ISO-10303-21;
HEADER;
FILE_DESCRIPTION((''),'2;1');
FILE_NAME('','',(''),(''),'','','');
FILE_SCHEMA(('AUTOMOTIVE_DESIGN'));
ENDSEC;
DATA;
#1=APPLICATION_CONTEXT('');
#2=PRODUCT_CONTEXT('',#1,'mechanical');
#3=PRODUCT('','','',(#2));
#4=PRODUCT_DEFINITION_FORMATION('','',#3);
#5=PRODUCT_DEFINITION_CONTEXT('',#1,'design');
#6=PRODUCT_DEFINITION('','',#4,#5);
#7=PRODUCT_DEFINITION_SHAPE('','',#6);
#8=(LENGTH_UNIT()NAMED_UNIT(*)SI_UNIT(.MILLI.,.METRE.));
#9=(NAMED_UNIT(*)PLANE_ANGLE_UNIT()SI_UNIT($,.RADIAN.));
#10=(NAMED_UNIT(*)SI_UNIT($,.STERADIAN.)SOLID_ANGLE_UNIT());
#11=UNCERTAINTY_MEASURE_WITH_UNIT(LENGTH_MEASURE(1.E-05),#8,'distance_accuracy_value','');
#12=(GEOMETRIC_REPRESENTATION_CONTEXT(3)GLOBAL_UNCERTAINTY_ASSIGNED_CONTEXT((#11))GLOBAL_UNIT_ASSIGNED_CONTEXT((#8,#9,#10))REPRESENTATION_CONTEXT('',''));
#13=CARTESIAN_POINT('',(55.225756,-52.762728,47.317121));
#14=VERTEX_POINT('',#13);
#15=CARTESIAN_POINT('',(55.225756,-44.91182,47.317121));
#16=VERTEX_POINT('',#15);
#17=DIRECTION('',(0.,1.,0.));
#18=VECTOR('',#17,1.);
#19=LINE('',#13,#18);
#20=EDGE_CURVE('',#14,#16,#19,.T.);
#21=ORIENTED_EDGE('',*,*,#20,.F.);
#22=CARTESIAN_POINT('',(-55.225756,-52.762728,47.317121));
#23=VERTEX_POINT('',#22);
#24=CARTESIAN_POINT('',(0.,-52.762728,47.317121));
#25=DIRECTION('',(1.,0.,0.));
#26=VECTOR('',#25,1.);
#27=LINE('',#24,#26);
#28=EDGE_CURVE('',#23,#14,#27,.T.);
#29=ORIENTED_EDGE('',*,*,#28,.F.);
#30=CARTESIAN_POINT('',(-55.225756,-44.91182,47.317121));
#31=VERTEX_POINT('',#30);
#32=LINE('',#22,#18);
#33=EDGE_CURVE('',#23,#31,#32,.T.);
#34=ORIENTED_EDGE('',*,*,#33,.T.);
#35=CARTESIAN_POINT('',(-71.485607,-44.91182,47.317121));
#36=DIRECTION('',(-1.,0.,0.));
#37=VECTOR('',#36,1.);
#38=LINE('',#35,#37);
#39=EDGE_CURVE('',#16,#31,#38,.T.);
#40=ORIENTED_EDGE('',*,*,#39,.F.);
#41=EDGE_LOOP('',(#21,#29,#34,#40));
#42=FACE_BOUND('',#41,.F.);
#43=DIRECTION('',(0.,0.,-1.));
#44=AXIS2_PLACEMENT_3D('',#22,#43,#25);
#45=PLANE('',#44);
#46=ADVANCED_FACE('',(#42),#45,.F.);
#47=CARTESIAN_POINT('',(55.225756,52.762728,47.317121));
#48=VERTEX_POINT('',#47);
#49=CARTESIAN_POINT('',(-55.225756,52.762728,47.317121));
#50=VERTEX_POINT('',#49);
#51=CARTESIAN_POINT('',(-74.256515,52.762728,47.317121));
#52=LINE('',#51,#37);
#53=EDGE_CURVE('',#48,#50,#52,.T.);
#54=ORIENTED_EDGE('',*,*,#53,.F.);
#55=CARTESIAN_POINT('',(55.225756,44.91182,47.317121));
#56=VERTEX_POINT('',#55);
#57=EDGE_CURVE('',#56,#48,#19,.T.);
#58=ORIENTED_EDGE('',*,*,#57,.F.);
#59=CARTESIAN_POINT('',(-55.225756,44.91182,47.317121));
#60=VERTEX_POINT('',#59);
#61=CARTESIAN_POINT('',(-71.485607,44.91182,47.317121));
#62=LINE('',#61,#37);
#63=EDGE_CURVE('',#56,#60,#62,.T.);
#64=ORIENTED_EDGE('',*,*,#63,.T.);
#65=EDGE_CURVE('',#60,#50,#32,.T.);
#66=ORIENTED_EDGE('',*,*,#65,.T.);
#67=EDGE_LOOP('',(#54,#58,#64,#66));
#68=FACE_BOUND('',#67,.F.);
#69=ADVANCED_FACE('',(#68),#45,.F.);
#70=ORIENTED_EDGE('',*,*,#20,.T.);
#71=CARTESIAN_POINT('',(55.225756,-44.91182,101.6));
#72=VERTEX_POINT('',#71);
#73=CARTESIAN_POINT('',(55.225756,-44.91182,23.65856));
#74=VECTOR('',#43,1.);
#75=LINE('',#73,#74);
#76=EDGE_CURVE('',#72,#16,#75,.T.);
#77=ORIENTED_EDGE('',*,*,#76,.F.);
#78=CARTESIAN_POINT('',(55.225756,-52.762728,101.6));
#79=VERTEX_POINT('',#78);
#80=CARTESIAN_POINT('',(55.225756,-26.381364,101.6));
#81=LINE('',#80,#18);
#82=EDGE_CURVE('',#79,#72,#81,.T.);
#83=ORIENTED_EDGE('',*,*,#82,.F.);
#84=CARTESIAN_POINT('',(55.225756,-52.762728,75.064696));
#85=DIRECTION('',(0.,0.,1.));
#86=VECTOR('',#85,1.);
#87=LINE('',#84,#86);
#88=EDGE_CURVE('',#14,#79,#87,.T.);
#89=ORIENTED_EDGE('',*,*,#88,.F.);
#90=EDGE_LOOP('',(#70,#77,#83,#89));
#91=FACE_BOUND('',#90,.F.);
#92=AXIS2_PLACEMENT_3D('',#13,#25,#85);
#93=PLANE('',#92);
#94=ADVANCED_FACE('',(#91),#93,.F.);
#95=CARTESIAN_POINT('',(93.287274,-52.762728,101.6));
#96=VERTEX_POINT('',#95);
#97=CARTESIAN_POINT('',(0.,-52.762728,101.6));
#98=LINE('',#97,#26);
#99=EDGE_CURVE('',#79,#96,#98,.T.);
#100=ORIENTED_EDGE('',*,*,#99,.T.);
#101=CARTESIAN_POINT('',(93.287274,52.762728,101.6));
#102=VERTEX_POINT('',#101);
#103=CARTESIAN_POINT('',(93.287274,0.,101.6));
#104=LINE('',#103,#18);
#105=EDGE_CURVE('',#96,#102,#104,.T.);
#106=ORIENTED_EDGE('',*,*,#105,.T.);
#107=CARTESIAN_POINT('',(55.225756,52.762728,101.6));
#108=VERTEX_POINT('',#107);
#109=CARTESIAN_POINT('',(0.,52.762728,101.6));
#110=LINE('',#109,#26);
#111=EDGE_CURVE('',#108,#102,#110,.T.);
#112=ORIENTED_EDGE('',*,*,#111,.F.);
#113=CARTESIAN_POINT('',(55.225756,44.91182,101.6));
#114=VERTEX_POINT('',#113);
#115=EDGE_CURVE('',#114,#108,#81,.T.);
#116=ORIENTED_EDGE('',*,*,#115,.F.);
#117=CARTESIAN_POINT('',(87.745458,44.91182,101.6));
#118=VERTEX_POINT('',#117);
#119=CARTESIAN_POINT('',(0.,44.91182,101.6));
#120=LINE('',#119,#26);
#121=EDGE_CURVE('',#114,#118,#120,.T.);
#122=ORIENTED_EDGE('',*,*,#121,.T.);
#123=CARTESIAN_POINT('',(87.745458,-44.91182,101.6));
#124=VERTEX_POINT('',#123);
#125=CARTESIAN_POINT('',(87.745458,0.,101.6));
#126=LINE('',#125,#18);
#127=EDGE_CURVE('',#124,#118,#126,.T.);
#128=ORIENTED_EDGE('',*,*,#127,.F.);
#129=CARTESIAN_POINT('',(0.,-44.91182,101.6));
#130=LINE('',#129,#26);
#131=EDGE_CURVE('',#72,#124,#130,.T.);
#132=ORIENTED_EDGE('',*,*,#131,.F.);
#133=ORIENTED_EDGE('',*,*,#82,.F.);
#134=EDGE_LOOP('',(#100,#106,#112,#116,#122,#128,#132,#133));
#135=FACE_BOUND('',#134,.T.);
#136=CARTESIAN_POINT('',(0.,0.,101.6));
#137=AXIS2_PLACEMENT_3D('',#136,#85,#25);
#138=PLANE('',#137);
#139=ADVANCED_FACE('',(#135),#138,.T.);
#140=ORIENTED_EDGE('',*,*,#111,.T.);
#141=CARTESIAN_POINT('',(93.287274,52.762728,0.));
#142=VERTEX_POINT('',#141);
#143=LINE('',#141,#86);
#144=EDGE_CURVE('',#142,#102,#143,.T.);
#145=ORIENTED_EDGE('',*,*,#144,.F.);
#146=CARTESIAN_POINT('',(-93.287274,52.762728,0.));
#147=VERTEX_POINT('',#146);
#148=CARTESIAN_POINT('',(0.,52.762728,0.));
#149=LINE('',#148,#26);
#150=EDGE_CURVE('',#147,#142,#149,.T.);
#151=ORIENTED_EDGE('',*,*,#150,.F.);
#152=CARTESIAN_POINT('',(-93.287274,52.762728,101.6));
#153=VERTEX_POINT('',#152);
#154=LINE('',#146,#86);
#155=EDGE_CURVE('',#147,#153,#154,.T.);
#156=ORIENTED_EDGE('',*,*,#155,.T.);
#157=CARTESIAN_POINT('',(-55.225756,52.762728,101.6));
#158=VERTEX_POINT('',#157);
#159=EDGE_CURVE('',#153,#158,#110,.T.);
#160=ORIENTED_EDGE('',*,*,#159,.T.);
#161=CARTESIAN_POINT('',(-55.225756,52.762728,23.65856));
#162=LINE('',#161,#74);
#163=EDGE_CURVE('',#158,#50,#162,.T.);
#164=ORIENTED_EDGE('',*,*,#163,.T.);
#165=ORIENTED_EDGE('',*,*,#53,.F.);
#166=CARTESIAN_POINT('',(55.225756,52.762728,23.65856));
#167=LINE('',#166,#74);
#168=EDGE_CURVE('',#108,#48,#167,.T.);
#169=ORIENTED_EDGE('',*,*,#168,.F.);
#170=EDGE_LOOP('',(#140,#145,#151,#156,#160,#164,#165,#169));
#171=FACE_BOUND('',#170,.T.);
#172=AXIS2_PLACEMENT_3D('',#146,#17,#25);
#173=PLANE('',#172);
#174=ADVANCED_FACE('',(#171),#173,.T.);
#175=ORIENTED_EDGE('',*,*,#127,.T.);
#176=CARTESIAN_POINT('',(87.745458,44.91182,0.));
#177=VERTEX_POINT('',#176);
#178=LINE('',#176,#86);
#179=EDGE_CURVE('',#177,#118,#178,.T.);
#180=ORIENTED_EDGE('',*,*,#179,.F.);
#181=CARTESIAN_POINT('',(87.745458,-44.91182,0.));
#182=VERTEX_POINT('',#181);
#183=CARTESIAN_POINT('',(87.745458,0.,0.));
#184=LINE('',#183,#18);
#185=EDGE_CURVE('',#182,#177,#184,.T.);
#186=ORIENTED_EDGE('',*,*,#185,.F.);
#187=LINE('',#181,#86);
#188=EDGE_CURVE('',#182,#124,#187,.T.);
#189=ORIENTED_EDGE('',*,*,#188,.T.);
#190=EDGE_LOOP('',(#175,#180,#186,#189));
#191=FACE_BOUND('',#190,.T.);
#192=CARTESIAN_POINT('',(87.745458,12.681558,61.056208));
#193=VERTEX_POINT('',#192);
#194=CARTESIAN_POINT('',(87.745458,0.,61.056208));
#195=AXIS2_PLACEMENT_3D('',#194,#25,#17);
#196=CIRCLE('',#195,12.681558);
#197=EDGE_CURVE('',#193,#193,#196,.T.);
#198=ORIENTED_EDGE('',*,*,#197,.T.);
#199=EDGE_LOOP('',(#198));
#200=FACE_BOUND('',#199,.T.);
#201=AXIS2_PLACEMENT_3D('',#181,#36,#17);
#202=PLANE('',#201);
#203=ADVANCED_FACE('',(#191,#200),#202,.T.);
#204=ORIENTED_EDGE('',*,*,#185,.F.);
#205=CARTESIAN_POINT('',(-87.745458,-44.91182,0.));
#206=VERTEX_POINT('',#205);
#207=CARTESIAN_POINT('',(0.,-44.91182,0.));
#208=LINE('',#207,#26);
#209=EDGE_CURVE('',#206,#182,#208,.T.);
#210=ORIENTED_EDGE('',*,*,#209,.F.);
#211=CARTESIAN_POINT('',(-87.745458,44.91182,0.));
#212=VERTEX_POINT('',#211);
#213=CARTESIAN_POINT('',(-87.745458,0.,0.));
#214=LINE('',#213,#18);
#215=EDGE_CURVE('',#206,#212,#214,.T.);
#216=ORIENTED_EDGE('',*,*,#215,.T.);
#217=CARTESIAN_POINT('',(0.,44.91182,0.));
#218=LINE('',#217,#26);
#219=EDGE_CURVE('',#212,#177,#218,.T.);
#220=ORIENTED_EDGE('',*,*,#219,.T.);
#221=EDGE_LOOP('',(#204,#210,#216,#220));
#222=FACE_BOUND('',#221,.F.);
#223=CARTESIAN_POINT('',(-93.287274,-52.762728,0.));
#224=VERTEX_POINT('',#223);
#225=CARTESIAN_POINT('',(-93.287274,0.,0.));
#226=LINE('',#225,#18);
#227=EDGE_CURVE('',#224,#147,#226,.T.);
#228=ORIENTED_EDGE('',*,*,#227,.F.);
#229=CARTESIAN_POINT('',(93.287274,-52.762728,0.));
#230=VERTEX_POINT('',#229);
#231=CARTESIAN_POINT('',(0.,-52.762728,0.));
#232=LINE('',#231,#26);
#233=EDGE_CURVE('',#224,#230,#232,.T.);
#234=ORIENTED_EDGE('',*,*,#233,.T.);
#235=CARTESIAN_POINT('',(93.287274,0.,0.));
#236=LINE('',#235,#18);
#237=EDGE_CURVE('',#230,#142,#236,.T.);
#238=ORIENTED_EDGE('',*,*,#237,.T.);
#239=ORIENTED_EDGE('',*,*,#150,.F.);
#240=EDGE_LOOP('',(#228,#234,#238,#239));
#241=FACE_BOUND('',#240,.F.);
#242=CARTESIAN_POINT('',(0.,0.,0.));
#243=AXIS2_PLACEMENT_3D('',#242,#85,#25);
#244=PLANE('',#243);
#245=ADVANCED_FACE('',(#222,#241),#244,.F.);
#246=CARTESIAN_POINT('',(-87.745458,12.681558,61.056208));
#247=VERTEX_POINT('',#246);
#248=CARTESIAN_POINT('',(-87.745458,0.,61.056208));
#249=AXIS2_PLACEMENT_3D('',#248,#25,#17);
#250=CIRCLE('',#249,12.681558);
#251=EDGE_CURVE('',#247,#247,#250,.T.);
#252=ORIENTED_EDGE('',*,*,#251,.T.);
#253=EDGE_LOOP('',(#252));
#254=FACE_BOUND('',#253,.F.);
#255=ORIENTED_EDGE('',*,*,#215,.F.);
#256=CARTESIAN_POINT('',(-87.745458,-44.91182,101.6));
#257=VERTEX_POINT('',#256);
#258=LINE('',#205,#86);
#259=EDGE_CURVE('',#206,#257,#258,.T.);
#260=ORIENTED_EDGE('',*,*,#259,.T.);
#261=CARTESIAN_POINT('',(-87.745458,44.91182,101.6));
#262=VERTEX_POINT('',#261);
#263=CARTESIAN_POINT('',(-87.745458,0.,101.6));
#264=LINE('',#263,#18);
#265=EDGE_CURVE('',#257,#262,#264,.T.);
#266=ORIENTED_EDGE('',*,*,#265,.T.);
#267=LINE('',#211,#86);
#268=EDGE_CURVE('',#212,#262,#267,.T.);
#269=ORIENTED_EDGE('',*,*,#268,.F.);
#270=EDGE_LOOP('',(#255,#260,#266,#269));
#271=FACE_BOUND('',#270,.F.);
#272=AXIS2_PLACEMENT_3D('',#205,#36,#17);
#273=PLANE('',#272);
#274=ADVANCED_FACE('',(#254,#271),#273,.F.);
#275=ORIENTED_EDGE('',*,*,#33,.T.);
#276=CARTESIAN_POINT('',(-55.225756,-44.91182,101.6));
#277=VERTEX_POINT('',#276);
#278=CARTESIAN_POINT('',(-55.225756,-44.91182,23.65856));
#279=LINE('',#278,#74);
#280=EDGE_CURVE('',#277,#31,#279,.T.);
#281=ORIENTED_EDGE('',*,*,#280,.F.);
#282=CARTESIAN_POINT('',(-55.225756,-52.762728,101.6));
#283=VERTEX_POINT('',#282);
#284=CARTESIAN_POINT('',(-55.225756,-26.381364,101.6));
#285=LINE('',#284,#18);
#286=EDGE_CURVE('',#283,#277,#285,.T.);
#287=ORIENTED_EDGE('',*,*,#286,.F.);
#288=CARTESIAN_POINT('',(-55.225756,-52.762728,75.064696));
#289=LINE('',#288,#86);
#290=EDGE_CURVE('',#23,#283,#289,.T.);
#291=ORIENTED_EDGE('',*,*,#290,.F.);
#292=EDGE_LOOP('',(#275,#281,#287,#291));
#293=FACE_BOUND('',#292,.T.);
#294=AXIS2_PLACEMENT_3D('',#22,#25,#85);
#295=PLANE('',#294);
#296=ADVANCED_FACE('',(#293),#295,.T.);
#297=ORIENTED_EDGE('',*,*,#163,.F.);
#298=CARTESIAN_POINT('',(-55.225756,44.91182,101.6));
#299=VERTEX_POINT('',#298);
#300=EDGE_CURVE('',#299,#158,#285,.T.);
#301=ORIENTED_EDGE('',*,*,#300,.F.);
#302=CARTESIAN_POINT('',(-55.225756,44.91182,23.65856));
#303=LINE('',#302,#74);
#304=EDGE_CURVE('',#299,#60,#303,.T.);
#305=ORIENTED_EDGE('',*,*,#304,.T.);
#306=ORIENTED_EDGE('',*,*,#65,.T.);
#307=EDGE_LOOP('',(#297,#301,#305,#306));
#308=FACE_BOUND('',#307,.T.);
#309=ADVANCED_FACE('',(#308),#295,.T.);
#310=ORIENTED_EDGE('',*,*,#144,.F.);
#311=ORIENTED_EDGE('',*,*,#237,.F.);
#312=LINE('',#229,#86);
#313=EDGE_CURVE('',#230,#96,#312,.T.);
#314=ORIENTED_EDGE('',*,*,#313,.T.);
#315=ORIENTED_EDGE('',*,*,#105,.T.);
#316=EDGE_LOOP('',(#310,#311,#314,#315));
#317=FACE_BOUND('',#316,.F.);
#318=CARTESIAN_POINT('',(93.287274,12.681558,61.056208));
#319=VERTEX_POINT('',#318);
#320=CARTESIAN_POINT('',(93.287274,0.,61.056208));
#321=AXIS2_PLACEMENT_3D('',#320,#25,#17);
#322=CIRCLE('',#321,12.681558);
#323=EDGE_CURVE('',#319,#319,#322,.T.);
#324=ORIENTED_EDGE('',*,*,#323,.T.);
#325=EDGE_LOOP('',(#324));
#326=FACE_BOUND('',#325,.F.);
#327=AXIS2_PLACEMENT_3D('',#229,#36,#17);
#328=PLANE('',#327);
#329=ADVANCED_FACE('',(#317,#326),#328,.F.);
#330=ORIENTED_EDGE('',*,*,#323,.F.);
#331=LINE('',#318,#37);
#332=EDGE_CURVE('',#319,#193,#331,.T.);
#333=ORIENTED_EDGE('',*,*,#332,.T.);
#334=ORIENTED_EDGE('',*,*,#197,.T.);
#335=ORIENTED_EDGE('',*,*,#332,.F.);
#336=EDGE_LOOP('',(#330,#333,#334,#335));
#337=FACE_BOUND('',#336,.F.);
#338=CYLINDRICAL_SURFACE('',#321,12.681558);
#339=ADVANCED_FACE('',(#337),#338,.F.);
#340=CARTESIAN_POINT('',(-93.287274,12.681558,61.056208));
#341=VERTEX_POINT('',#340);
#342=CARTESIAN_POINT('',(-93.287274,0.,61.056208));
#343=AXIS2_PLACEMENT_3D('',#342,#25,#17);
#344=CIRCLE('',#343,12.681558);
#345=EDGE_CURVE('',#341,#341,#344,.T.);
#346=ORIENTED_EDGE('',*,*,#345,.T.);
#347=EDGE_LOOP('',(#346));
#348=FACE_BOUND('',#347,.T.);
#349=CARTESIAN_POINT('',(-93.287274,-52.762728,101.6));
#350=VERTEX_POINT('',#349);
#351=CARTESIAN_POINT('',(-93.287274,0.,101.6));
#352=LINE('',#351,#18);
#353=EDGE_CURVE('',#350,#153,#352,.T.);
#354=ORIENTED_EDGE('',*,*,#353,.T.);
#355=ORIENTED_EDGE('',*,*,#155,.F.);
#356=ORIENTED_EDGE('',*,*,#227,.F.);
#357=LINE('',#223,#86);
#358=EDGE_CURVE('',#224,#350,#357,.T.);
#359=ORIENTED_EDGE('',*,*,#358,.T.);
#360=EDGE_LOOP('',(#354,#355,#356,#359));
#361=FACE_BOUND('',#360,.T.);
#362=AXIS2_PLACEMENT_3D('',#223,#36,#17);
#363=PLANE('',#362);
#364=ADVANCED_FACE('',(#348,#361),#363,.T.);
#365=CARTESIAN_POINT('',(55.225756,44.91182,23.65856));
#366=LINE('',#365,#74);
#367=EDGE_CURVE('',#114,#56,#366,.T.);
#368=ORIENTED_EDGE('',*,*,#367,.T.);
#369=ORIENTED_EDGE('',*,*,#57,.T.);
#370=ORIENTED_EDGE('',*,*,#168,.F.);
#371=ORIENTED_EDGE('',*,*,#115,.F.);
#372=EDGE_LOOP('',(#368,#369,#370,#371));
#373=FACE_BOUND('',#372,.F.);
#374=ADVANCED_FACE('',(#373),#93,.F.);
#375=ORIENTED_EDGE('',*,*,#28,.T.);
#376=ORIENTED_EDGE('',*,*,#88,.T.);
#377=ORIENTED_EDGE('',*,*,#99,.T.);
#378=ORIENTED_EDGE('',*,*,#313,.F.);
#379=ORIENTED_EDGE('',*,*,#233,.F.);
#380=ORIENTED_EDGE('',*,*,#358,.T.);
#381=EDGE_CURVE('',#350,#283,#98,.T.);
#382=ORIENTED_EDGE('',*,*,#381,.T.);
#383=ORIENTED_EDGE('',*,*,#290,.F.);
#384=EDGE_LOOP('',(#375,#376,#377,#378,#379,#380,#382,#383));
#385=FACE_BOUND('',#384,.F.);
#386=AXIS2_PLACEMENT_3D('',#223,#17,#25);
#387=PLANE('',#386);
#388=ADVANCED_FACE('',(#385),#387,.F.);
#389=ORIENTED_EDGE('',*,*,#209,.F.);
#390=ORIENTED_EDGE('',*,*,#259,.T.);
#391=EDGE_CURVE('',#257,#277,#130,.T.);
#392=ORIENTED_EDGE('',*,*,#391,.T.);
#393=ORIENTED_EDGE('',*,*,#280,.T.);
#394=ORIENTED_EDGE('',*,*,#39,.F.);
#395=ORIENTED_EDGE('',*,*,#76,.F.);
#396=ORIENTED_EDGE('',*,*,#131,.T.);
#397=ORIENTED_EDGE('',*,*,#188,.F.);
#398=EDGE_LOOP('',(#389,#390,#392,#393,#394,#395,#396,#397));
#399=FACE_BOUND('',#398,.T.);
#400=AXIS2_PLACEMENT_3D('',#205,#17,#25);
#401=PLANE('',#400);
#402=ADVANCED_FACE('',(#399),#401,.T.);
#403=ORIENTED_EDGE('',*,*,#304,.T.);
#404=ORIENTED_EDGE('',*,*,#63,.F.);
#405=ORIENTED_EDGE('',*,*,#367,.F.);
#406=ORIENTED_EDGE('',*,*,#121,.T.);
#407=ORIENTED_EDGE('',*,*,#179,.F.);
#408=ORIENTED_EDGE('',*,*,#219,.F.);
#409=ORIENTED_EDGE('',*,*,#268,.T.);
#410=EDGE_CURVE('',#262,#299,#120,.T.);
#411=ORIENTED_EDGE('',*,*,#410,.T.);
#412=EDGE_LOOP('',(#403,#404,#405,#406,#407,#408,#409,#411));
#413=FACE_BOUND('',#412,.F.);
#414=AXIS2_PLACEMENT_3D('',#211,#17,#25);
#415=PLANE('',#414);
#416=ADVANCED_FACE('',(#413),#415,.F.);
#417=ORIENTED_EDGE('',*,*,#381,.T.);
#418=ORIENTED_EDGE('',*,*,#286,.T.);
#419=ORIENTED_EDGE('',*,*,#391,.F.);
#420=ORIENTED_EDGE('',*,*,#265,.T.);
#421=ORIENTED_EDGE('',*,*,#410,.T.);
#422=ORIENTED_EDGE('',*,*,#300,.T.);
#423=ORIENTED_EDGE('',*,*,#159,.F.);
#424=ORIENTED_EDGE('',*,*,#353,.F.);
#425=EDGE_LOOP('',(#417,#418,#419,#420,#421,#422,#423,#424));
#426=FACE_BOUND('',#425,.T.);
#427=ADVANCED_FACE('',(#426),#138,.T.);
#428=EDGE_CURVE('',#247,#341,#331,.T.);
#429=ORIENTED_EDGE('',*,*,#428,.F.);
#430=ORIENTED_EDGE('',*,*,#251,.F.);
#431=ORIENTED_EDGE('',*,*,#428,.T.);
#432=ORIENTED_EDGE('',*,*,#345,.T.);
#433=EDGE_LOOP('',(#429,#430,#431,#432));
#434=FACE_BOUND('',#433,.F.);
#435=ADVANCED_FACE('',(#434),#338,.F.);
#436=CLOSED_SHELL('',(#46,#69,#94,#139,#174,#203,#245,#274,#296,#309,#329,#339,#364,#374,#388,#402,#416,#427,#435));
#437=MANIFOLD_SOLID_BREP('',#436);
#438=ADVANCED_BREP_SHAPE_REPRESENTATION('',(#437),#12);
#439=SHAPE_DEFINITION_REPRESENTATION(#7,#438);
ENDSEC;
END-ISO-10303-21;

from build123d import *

# Parameters (mm, degrees)
F0_W     = 186.574548
F0_H     = 105.525456
F0_W_2   = 175.490916
F0_H_2   = 89.82364
F1_DEPTH = 101.6
F2_W     = 110.451512
F2_H     = 55.495151
F3_DEPTH = 115.824
F4_R     = 12.681558
F5_DEPTH = 207.264


with BuildPart() as f1:
    # F0 (on Top) → F1 (new body)
    with BuildSketch(Plane.XY):
        Rectangle(F0_W, F0_H)
        Rectangle(F0_W_2, F0_H_2, mode=Mode.SUBTRACT)
    extrude(amount=F1_DEPTH)

    # F2 (on face) → F3 (cut)
    with BuildSketch(Plane.XZ.offset(52.762728)):
        with Locations((0, 75.064696)):
            Rectangle(F2_W, F2_H)
    extrude(amount=-F3_DEPTH, mode=Mode.SUBTRACT)

    # F4 (on face) → F5 (cut)
    with BuildSketch(Plane.YZ.offset(93.287274)):
        with Locations((0, 61.056208)):
            Circle(F4_R)
    extrude(amount=-F5_DEPTH, mode=Mode.SUBTRACT)


solid = f1.part
